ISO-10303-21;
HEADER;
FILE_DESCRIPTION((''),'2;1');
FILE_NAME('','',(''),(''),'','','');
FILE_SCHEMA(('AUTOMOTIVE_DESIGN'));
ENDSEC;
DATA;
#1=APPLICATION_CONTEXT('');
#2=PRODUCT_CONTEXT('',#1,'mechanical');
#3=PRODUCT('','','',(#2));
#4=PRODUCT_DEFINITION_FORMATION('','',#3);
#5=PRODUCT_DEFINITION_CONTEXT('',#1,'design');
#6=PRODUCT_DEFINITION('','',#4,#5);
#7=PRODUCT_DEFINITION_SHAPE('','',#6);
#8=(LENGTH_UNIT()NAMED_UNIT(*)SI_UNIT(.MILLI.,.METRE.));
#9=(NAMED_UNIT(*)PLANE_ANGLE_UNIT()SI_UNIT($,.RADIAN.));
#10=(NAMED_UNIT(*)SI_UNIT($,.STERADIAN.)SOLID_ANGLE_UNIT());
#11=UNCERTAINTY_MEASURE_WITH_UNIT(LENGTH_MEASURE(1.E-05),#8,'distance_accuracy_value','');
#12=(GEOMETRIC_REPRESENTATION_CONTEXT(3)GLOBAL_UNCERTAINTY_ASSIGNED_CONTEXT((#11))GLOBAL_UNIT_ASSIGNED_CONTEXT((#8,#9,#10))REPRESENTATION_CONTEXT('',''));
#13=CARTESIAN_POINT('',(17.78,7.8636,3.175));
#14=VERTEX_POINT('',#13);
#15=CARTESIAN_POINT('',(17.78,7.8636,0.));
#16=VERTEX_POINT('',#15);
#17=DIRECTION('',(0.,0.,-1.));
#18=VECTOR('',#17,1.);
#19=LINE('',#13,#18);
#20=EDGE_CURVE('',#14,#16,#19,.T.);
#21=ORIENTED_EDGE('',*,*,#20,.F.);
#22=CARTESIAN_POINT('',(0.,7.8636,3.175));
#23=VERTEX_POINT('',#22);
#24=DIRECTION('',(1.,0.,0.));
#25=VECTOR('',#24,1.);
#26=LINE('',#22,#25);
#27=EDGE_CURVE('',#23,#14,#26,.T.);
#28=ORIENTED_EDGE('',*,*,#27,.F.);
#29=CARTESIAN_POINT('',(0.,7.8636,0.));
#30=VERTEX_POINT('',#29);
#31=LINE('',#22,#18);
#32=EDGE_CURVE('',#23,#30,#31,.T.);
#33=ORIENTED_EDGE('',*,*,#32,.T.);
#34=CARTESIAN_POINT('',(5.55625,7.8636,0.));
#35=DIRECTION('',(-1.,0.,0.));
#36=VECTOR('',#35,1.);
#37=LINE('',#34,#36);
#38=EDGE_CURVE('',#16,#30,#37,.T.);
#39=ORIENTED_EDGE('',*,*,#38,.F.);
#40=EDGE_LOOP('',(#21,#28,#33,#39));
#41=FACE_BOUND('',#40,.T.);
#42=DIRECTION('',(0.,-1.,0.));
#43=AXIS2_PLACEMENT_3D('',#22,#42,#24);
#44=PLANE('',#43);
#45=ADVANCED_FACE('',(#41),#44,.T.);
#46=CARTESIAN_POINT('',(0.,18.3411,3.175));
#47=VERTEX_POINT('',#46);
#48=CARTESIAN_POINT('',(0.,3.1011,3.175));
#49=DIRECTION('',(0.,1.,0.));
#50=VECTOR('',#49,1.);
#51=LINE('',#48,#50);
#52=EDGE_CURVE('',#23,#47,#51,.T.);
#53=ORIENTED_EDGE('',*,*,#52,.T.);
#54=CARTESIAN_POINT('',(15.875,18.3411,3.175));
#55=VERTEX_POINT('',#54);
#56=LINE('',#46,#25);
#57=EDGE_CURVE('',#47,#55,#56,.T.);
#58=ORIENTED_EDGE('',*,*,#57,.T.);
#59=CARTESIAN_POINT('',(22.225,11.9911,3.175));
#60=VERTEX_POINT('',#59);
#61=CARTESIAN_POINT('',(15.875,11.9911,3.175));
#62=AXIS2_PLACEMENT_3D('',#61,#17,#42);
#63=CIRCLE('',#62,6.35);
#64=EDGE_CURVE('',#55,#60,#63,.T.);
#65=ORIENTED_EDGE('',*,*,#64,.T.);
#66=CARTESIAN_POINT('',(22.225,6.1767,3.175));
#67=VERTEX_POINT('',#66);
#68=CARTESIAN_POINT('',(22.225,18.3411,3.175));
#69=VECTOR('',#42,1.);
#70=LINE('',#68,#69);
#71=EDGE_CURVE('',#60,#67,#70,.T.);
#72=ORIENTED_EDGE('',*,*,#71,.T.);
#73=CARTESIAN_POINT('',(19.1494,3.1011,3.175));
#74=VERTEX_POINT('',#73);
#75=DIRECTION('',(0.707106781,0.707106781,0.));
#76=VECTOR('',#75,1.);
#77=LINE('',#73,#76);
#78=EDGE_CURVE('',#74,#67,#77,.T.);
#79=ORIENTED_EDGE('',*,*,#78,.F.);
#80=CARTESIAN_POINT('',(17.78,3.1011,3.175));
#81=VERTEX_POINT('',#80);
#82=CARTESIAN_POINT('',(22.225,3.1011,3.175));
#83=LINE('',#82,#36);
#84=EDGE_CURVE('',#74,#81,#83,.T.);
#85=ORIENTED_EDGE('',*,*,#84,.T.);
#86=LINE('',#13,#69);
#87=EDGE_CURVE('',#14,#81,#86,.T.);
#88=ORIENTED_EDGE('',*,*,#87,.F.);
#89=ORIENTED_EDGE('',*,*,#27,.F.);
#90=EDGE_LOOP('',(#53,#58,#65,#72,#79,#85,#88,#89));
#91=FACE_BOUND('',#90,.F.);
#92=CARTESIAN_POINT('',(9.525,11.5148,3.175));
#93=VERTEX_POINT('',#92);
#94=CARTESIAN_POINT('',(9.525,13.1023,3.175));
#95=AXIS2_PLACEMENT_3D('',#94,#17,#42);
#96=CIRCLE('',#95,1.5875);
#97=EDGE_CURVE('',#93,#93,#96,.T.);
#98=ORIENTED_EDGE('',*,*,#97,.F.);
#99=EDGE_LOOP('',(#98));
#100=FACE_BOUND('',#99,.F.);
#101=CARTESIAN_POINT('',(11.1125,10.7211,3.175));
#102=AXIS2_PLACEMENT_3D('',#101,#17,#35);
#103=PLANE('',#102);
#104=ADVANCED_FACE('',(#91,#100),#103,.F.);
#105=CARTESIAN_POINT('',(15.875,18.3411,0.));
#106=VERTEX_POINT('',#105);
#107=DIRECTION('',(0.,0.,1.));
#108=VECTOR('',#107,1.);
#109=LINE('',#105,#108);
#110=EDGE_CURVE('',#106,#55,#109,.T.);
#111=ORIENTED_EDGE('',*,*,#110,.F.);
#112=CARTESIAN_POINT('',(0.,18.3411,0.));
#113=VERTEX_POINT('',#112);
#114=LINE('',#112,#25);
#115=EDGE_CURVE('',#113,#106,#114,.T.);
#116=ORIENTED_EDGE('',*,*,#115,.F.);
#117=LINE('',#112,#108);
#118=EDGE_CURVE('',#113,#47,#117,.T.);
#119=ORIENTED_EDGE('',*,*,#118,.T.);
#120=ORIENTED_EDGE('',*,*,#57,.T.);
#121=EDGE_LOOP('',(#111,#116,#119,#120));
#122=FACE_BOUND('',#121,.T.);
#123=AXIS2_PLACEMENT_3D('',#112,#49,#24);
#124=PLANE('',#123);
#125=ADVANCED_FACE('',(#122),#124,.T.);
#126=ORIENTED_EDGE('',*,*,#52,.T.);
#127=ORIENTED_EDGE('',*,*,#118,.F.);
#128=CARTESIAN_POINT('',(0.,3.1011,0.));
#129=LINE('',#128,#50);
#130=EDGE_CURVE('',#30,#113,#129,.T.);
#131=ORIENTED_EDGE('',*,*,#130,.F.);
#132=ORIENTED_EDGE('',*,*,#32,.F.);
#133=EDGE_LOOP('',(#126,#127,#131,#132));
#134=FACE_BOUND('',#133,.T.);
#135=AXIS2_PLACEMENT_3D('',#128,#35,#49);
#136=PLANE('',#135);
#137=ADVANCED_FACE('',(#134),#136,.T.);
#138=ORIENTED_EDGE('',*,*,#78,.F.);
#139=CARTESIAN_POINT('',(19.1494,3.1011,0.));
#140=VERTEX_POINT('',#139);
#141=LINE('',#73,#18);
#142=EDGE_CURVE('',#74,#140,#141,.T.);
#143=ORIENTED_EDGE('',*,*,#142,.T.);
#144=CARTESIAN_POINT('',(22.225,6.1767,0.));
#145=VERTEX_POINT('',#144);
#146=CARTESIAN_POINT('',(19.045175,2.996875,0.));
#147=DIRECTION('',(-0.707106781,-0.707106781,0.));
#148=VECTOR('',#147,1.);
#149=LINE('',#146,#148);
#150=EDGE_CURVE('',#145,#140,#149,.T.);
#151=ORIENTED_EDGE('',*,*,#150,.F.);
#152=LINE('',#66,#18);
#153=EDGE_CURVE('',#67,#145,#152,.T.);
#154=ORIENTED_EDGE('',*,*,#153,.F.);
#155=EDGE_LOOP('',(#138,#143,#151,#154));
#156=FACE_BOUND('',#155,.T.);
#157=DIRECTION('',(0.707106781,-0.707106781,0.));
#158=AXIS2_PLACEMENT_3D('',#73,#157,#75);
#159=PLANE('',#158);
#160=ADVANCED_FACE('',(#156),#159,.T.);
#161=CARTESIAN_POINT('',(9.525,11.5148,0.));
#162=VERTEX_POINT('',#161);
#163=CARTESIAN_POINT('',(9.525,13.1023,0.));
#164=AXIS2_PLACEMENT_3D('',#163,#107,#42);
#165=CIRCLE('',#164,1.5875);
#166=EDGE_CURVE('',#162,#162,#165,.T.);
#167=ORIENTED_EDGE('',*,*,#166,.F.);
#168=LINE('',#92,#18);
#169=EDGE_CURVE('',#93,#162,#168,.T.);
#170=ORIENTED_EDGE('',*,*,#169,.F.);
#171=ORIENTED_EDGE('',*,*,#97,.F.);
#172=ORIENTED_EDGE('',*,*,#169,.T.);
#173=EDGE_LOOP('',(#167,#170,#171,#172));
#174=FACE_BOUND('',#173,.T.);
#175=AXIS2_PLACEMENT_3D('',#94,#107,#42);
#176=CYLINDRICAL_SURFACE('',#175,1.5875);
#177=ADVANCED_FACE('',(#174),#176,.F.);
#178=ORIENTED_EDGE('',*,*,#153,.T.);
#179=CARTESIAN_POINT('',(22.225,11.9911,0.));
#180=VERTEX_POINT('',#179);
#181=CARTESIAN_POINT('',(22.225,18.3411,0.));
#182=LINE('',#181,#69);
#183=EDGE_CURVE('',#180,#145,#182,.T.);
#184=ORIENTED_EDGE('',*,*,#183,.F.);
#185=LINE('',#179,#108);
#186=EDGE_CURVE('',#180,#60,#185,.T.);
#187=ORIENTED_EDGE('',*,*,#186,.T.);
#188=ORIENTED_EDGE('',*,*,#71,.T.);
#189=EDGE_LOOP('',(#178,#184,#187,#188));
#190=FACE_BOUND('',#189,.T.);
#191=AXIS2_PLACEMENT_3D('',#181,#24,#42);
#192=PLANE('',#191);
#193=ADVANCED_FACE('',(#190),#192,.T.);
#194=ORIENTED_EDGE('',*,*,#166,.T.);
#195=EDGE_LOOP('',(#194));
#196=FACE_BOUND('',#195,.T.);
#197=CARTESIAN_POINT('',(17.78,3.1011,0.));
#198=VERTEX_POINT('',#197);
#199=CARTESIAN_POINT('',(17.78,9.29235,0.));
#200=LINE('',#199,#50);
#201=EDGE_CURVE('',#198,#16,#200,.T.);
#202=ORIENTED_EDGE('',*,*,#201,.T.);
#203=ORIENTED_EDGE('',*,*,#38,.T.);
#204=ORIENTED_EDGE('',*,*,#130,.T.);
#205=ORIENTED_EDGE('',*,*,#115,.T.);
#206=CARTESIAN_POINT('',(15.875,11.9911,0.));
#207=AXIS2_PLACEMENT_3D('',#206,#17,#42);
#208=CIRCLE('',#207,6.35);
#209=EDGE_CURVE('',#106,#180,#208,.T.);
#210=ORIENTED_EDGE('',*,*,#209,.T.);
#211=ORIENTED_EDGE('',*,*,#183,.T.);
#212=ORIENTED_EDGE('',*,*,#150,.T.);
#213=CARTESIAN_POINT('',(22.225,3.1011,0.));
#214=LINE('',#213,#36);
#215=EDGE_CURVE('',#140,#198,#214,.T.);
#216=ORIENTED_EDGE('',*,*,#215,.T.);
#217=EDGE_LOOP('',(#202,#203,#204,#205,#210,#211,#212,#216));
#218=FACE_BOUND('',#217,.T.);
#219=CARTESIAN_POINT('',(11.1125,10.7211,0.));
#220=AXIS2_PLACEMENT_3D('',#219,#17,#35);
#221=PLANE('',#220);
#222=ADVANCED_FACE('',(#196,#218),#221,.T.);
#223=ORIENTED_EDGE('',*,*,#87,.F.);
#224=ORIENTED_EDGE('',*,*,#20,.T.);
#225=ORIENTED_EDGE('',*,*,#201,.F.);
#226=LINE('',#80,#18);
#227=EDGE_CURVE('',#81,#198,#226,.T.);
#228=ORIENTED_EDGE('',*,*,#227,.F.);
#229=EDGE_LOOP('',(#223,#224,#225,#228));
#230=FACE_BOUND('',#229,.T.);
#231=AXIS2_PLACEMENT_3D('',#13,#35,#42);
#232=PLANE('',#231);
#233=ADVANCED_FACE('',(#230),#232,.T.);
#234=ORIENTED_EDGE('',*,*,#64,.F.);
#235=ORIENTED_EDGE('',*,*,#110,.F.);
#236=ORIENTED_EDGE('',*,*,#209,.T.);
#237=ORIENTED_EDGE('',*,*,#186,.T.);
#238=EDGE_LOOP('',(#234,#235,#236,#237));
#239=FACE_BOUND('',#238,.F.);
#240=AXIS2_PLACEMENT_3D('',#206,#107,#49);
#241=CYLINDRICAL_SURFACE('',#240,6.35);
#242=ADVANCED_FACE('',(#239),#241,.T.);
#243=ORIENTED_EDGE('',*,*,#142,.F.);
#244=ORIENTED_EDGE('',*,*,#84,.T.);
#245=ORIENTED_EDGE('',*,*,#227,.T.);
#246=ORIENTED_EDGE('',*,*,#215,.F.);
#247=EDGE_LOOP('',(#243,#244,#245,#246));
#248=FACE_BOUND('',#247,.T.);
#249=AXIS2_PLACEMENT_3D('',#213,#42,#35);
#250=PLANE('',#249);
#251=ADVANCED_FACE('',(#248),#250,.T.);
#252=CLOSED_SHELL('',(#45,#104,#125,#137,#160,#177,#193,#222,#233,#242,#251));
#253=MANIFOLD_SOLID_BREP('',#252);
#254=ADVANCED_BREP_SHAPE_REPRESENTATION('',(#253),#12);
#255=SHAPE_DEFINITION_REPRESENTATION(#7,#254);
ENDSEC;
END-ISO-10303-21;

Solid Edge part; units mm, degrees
sketch "Sketch1" plane through (0, 0, 0) normal (0, 0, 1) x (1, 0, 0)
  line L0 (0, 3.1011) -> (0, 18.3411)
  line L1 (0, 18.3411) -> (22.225, 18.3411)
  line L2 (22.225, 18.3411) -> (22.225, 3.1011)
  line L3 (22.225, 3.1011) -> (0, 3.1011)
extrude "Protrusion1" add sketch "Sketch1" along normal blind 3.175
sketch "Sketch2" plane through (14.2875, 8.8161, 3.175) normal (0, 0, 1) x (1, 0, 0)
  line L0 (4.8619, -5.715) -> (7.9375, -2.6394)
  line L1 (7.9375, -5.715) -> (7.9375, -2.6394)
  line L2 (4.8619, -5.715) -> (7.9375, -5.715)
  line L3 (-14.2875, -5.715) -> (-14.2875, -0.9525)
  line L4 (-14.2875, -0.9525) -> (3.4925, -0.9525)
  line L5 (3.4925, -0.9525) -> (3.4925, -5.715)
  line L6 (3.4925, -5.715) -> (-14.2875, -5.715)
  dimension "D1" = 4.7625
  dimension "D2" = 17.78
extrude "Cutout1" cut sketch "Sketch2" against normal through all
hole "Hole_2" at (9.525, 13.1023, 3.175) direction (0, 0, -1) diameter 3.175 end up to next
fillet "Round_5" radius 6.35 1 edges at (22.225, 18.3411, 1.5875)
